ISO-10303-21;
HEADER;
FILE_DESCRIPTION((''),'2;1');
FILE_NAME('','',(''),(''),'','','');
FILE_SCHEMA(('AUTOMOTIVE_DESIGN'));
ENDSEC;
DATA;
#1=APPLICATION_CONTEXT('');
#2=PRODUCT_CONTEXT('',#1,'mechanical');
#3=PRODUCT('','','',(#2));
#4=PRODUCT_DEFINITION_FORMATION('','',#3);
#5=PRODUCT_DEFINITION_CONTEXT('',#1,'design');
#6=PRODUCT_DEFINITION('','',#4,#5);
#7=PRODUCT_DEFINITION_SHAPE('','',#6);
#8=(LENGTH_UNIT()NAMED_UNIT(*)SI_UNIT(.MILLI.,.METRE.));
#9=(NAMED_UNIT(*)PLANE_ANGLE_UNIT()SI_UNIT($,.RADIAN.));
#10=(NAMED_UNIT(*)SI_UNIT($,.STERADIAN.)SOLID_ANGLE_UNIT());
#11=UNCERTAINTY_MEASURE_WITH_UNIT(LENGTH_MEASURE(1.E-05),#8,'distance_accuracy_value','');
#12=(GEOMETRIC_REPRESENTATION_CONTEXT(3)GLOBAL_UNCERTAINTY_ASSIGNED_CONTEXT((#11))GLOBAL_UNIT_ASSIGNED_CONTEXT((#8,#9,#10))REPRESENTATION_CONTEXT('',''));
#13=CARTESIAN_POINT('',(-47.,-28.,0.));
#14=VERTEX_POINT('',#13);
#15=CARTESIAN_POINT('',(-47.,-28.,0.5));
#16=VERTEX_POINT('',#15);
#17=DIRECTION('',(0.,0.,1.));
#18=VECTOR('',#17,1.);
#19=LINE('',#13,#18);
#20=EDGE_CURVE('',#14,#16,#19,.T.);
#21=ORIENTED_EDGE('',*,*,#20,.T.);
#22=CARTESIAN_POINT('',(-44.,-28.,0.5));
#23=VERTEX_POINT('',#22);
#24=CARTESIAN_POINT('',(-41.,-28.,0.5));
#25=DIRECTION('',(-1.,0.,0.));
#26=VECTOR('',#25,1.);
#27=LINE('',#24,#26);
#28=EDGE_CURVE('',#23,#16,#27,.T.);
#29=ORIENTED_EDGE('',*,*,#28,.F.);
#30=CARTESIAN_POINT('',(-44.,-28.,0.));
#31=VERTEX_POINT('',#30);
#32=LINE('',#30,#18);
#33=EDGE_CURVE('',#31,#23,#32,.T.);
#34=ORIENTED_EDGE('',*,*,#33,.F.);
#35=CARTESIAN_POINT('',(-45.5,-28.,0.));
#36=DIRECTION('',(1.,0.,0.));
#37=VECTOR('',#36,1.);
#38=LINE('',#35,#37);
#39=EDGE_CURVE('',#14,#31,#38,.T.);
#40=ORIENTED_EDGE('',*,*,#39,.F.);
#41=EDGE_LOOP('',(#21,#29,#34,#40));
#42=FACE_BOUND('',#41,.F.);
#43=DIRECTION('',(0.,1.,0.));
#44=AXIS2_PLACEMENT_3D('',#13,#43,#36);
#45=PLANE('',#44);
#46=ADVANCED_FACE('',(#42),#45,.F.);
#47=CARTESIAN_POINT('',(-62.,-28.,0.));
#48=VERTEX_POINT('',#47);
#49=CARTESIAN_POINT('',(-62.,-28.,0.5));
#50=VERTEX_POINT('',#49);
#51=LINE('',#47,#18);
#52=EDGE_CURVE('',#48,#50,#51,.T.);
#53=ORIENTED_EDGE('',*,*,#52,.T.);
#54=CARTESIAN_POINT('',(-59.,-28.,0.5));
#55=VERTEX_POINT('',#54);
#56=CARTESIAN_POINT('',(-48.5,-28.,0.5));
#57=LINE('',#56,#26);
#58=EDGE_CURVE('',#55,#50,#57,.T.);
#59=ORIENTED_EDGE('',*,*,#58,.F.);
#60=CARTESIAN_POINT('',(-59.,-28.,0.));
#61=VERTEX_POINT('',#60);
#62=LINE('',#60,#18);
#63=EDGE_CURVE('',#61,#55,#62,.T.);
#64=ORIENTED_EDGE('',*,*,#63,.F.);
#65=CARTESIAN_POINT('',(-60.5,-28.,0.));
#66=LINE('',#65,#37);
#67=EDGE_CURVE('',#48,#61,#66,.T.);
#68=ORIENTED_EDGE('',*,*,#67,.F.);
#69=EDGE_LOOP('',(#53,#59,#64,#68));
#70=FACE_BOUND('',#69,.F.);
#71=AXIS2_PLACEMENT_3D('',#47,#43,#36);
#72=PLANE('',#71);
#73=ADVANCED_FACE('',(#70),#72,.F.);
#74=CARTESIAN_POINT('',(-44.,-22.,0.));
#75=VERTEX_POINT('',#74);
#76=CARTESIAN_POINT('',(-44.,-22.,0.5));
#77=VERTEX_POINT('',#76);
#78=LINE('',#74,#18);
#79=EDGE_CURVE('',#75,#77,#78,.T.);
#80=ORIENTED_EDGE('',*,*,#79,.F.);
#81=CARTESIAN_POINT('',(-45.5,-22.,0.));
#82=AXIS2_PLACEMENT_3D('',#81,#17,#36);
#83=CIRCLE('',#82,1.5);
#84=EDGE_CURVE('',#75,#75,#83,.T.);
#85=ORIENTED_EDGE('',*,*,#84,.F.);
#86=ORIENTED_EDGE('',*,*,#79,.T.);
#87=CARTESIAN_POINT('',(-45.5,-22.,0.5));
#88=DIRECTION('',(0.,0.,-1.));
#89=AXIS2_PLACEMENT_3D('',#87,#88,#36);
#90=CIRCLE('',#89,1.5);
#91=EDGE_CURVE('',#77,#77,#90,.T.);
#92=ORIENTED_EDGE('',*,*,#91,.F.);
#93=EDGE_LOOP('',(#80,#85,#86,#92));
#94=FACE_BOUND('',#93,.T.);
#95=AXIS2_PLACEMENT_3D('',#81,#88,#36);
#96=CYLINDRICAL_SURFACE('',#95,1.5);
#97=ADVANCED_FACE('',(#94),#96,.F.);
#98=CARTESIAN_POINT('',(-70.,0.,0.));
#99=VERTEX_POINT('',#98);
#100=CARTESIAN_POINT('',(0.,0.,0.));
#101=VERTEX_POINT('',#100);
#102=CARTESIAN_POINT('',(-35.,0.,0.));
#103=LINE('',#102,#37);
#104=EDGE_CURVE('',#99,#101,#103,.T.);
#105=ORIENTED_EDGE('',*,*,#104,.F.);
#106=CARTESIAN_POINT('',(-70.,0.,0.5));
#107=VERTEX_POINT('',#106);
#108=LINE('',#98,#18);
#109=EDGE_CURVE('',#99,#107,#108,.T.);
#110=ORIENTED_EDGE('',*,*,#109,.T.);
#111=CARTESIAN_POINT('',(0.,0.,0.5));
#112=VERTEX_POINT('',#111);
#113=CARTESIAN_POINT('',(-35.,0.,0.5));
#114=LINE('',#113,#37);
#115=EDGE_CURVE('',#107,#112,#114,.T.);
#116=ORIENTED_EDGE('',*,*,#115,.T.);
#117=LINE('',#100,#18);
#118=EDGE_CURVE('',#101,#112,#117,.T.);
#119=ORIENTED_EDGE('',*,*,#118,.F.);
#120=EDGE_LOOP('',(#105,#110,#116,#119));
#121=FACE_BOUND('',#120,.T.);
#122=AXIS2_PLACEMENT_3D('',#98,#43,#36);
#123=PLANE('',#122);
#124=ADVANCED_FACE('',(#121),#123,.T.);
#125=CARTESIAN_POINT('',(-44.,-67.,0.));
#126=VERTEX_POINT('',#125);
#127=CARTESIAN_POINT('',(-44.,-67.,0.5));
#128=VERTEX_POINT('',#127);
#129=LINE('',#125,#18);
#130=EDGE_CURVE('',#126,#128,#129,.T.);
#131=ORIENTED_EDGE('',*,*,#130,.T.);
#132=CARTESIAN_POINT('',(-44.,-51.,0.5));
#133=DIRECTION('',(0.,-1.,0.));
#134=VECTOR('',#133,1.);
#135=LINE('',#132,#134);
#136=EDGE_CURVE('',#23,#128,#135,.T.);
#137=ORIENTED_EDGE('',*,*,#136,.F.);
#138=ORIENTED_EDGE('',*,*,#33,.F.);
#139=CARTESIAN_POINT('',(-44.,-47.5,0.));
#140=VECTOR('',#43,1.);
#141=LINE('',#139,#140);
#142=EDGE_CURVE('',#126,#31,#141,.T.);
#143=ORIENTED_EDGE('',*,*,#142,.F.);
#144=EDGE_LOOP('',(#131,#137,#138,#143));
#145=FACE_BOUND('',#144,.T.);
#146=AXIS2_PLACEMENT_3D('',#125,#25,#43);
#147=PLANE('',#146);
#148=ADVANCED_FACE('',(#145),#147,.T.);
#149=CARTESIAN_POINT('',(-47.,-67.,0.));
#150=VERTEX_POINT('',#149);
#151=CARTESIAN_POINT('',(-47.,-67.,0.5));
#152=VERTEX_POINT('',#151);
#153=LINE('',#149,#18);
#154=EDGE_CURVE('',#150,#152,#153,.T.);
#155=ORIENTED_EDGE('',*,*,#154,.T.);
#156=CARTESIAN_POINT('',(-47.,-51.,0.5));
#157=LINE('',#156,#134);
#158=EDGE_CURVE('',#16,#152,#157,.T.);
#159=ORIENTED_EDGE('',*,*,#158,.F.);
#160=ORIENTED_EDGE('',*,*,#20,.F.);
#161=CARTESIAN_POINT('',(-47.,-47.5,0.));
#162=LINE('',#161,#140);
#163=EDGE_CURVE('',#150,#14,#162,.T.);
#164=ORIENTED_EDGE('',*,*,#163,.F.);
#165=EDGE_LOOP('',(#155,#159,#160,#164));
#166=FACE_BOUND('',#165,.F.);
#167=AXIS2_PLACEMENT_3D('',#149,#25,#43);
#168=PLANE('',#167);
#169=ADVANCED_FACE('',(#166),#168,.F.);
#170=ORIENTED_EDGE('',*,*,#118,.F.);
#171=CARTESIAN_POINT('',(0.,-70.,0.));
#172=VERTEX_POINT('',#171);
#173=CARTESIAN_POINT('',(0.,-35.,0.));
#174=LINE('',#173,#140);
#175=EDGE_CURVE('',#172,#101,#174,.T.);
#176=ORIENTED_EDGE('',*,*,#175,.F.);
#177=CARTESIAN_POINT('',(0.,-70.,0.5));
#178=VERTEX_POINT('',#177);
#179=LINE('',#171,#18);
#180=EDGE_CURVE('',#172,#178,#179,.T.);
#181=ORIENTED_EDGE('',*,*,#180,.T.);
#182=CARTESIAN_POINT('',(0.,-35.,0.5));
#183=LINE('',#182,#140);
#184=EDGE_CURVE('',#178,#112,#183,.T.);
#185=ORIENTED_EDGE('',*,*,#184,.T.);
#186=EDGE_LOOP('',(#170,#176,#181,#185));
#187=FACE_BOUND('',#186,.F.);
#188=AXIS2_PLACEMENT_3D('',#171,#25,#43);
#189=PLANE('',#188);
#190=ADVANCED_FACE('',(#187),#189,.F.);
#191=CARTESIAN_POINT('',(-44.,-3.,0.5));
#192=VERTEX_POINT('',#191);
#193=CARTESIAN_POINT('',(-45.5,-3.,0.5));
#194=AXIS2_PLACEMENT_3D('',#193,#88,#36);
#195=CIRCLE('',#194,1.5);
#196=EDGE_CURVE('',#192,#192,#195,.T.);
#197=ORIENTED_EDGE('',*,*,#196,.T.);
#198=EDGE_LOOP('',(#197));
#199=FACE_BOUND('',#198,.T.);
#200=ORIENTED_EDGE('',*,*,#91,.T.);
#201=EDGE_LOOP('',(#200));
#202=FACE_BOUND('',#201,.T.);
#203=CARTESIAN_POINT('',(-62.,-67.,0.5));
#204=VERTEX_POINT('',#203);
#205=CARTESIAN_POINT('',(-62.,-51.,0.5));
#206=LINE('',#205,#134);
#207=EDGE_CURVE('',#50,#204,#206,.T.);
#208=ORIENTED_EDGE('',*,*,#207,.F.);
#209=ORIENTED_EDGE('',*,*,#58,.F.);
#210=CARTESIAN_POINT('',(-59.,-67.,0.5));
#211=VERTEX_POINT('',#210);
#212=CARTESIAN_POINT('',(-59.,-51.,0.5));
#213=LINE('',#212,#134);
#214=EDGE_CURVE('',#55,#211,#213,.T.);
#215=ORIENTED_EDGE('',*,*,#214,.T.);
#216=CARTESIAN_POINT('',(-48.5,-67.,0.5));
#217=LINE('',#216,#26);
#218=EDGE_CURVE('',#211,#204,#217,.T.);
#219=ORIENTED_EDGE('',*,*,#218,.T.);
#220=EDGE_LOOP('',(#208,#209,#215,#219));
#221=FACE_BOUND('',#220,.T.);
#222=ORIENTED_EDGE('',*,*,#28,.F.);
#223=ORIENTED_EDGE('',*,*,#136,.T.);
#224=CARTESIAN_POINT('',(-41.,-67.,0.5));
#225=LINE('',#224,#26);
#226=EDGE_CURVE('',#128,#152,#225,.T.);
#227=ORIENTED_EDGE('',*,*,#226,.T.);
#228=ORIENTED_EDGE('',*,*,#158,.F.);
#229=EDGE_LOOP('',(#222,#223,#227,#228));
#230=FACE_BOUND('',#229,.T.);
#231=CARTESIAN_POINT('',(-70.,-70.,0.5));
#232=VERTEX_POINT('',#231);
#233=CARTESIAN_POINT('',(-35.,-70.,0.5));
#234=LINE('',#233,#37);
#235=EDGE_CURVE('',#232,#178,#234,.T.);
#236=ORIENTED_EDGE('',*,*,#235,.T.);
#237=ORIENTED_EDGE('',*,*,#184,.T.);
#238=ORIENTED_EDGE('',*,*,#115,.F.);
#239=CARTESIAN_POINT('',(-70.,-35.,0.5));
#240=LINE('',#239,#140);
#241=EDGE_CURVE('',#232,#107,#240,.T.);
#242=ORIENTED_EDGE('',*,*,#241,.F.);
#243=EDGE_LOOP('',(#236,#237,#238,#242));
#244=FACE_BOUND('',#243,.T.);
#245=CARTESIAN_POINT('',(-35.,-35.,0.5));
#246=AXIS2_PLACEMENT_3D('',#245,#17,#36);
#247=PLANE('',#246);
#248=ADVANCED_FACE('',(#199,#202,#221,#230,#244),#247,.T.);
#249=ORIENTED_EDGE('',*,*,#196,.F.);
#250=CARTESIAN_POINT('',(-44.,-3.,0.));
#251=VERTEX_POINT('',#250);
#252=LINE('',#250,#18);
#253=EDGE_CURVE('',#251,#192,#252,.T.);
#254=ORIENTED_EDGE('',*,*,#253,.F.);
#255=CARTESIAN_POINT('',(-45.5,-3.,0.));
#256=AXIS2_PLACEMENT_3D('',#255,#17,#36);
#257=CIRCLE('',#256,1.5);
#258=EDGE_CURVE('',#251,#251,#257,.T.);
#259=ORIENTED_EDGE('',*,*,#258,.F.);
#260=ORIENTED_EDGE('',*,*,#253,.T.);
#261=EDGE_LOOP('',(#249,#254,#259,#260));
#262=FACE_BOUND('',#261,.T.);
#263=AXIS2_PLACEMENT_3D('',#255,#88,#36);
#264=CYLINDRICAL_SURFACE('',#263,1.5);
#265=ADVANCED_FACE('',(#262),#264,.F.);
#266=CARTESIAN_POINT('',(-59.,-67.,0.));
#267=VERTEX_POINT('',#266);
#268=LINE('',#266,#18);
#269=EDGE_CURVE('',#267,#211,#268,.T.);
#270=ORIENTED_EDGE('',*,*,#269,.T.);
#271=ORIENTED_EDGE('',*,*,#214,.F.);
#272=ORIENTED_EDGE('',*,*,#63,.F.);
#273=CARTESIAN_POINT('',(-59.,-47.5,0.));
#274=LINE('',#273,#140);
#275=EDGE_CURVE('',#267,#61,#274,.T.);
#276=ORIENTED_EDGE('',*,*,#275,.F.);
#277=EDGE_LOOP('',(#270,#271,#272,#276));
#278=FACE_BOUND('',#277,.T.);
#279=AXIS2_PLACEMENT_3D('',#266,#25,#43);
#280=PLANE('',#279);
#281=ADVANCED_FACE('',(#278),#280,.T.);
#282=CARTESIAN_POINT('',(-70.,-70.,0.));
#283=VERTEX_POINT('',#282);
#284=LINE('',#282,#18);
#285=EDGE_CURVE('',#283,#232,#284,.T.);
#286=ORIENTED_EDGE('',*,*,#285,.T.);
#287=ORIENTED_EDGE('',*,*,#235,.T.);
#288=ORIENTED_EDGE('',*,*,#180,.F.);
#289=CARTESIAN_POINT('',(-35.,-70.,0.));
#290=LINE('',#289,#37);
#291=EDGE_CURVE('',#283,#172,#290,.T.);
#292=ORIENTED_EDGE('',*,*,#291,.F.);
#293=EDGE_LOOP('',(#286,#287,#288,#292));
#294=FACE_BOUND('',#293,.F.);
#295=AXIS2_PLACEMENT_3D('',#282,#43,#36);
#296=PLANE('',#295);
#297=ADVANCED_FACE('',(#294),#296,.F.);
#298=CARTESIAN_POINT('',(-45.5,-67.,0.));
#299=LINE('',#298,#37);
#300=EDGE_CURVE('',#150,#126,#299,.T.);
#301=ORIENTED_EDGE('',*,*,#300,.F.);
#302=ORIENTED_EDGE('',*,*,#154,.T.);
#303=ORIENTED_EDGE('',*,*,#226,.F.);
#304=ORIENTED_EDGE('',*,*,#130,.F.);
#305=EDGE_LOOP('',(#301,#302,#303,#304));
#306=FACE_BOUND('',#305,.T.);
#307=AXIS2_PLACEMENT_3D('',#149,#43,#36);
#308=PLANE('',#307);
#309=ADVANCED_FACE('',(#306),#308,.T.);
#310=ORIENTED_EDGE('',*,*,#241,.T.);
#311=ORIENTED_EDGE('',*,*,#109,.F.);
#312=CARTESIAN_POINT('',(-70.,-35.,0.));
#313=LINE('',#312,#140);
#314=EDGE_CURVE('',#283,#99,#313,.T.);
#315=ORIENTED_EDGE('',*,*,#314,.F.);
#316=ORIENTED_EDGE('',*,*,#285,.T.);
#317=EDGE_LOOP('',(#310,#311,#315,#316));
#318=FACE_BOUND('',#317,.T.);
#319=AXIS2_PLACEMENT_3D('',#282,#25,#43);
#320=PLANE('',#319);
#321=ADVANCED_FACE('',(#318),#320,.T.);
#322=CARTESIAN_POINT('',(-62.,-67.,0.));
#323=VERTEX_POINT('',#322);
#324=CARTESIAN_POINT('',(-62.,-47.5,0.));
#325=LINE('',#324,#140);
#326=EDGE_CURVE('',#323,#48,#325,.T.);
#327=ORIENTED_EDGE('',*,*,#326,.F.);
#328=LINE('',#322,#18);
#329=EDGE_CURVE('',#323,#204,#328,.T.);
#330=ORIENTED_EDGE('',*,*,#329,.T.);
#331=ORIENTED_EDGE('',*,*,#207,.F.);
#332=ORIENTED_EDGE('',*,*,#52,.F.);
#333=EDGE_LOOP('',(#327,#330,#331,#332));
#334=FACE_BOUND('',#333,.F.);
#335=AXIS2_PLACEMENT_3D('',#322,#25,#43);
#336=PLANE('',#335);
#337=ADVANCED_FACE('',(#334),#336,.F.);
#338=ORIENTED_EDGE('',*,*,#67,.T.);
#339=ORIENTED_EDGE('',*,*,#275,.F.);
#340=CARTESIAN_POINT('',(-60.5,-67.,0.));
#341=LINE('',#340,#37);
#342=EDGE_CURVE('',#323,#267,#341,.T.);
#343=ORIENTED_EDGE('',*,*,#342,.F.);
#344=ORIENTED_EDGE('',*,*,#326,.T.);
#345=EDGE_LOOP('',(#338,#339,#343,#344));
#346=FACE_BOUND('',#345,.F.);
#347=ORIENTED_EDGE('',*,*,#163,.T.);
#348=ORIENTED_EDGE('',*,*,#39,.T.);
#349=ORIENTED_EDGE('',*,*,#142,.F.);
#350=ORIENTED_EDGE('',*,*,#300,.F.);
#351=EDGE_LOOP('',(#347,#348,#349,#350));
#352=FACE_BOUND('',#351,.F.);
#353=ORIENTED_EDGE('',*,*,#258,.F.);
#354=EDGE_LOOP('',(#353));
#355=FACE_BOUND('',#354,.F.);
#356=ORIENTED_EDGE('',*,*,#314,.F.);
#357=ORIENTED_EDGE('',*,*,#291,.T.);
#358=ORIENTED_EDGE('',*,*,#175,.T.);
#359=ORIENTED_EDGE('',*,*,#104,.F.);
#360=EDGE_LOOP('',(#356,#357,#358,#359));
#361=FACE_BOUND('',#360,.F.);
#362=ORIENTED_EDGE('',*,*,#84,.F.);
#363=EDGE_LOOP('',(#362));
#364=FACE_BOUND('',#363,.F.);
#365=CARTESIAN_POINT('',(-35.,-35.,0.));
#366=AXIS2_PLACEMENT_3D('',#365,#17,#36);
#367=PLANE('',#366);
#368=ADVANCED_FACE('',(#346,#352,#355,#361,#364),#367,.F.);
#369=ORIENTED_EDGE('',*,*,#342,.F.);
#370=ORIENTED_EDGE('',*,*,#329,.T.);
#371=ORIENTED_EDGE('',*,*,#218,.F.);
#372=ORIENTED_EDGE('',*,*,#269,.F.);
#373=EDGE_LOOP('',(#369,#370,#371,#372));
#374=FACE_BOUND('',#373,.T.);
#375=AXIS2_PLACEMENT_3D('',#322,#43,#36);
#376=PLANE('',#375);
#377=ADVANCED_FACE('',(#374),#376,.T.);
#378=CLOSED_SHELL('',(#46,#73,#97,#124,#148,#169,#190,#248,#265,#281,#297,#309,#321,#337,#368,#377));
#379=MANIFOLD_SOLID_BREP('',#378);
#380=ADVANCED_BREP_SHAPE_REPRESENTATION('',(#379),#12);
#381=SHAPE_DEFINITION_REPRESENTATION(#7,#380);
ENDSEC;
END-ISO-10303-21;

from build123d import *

# Parameters (mm, degrees)
F0_W     = 70
F0_H     = 70
F1_DEPTH = 0.5
F2_W     = 3
F2_H     = 39
F2_R     = 1.5
F3_DEPTH = 0.501


with BuildPart() as f1:
    # F0 (on Top) → F1 (new body)
    with BuildSketch(Plane.XY):
        with Locations((-35, -35)):
            Rectangle(F0_W, F0_H)
    extrude(amount=F1_DEPTH)

    # F2 (on Top) → F3 (cut, through all)
    with BuildSketch(Plane.XY):
        with Locations((-60.5, -47.5)):
            Rectangle(F2_W, F2_H)
        with Locations((-45.5, -47.5)):
            Rectangle(F2_W, F2_H)
        with Locations((-45.5, -3)):
            Circle(F2_R)
        with Locations((-45.5, -22)):
            Circle(F2_R)
    extrude(amount=F3_DEPTH, mode=Mode.SUBTRACT)


solid = f1.part
